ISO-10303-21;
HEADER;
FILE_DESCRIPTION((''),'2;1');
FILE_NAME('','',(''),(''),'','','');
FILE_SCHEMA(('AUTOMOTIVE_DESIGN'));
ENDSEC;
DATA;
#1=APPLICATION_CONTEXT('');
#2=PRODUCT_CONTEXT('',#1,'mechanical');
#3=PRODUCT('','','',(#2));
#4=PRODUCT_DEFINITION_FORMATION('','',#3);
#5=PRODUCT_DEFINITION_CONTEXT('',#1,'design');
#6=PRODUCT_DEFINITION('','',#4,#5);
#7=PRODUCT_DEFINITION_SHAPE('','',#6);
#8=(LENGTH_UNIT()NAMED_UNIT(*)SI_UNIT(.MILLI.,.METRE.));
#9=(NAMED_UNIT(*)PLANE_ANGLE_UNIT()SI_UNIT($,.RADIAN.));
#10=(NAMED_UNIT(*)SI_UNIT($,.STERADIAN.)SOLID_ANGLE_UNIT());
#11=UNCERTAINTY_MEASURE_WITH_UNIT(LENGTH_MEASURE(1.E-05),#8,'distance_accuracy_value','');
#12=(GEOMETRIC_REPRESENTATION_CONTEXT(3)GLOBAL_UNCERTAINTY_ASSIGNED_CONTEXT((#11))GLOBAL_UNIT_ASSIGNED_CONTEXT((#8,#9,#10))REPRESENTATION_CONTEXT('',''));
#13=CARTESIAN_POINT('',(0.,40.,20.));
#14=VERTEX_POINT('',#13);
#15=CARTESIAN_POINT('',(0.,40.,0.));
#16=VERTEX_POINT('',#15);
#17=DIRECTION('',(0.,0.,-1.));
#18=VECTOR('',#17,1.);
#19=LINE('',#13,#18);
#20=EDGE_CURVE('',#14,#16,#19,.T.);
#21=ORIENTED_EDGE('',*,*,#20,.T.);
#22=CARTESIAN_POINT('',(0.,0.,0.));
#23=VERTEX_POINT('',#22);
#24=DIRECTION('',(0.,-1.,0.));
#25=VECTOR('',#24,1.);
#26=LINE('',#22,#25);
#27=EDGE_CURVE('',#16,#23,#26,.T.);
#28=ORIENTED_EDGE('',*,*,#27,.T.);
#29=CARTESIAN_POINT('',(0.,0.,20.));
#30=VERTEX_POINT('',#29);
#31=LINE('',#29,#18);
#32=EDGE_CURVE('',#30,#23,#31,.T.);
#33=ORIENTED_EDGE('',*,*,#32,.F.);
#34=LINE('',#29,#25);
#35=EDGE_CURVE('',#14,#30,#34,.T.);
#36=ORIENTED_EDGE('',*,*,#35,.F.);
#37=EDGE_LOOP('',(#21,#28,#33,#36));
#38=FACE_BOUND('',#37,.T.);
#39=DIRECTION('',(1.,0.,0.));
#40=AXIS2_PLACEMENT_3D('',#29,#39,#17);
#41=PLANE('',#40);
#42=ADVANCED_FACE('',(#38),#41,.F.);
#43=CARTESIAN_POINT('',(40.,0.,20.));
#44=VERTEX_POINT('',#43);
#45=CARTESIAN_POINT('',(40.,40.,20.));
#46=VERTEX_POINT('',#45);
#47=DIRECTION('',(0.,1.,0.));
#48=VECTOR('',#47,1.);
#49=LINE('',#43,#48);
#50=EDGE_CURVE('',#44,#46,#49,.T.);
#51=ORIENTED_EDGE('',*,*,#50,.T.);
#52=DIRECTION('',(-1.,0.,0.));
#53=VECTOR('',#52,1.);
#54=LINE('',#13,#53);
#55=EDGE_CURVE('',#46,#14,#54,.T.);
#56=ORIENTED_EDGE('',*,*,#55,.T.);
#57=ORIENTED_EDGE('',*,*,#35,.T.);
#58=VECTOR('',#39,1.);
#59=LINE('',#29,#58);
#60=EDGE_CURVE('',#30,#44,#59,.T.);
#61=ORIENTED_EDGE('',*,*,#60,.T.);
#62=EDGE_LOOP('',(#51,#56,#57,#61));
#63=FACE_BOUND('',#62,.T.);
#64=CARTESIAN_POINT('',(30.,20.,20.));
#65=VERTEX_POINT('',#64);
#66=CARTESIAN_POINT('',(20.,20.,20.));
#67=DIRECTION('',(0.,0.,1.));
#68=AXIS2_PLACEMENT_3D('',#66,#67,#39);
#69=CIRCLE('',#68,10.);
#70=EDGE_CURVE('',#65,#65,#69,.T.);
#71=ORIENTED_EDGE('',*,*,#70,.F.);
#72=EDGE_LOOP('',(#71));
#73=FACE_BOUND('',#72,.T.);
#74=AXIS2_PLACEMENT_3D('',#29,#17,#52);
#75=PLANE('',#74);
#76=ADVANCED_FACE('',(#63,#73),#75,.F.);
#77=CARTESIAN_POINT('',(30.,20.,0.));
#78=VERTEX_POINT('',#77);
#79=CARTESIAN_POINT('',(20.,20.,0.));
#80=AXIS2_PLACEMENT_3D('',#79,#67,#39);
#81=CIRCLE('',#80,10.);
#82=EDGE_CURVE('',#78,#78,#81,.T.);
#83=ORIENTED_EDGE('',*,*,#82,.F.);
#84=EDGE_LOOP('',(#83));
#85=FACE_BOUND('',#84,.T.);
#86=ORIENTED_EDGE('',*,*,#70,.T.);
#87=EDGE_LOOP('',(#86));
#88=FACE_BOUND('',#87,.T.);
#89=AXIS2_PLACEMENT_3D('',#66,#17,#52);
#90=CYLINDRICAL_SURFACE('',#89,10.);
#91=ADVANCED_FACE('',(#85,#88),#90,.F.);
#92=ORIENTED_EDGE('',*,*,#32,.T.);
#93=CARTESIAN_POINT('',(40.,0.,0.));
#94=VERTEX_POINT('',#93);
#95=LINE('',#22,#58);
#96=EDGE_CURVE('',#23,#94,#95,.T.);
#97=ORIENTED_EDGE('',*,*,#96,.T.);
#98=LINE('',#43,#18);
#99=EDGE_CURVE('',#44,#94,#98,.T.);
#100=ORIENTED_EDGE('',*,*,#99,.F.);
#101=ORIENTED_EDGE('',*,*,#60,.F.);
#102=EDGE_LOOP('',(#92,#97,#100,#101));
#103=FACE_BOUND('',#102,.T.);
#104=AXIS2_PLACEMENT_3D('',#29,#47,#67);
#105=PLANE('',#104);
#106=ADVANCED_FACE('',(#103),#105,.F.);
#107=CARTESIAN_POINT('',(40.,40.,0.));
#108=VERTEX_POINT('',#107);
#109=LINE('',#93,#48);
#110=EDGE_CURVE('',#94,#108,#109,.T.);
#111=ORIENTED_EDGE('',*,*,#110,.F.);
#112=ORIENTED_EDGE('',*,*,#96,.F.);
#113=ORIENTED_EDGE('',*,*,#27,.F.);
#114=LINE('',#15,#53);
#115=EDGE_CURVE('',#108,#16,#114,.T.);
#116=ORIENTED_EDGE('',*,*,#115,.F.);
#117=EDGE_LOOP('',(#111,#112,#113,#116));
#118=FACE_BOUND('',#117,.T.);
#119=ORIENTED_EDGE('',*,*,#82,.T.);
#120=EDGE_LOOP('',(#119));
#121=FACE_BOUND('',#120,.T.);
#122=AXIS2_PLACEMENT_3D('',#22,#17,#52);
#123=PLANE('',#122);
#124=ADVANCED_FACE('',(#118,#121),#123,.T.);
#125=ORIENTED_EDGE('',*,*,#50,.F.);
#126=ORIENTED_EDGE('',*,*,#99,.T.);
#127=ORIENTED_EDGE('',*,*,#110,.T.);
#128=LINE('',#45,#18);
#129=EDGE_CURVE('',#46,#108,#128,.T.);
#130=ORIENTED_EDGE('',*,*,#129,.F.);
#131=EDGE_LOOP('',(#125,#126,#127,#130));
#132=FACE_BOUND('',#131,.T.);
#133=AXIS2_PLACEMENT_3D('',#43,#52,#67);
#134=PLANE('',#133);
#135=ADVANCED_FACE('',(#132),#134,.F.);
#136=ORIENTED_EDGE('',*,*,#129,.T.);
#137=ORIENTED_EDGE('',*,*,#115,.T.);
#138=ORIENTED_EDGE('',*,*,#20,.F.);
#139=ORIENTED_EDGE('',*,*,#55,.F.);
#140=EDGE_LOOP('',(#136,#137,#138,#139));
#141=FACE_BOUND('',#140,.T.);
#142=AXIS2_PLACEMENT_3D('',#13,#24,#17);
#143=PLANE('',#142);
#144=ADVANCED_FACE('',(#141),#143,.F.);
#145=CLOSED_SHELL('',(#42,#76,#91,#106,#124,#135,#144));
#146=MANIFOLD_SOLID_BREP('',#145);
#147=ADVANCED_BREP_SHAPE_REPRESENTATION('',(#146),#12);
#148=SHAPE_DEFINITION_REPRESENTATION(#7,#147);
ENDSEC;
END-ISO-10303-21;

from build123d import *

# Parameters (mm, degrees)
SKETCH1_W           = 40
SKETCH1_H           = 40
SKETCH1_R           = 10
BOSS_EXTRUDE1_DEPTH = 20


with BuildPart() as part:
    # Sketch1 → Boss-Extrude1 (new body)
    with BuildSketch(Plane.XY):
        with Locations((20, 20)):
            Rectangle(SKETCH1_W, SKETCH1_H)
        with Locations((20, 20)):
            Circle(SKETCH1_R, mode=Mode.SUBTRACT)
    extrude(amount=BOSS_EXTRUDE1_DEPTH)


solid = part.part
